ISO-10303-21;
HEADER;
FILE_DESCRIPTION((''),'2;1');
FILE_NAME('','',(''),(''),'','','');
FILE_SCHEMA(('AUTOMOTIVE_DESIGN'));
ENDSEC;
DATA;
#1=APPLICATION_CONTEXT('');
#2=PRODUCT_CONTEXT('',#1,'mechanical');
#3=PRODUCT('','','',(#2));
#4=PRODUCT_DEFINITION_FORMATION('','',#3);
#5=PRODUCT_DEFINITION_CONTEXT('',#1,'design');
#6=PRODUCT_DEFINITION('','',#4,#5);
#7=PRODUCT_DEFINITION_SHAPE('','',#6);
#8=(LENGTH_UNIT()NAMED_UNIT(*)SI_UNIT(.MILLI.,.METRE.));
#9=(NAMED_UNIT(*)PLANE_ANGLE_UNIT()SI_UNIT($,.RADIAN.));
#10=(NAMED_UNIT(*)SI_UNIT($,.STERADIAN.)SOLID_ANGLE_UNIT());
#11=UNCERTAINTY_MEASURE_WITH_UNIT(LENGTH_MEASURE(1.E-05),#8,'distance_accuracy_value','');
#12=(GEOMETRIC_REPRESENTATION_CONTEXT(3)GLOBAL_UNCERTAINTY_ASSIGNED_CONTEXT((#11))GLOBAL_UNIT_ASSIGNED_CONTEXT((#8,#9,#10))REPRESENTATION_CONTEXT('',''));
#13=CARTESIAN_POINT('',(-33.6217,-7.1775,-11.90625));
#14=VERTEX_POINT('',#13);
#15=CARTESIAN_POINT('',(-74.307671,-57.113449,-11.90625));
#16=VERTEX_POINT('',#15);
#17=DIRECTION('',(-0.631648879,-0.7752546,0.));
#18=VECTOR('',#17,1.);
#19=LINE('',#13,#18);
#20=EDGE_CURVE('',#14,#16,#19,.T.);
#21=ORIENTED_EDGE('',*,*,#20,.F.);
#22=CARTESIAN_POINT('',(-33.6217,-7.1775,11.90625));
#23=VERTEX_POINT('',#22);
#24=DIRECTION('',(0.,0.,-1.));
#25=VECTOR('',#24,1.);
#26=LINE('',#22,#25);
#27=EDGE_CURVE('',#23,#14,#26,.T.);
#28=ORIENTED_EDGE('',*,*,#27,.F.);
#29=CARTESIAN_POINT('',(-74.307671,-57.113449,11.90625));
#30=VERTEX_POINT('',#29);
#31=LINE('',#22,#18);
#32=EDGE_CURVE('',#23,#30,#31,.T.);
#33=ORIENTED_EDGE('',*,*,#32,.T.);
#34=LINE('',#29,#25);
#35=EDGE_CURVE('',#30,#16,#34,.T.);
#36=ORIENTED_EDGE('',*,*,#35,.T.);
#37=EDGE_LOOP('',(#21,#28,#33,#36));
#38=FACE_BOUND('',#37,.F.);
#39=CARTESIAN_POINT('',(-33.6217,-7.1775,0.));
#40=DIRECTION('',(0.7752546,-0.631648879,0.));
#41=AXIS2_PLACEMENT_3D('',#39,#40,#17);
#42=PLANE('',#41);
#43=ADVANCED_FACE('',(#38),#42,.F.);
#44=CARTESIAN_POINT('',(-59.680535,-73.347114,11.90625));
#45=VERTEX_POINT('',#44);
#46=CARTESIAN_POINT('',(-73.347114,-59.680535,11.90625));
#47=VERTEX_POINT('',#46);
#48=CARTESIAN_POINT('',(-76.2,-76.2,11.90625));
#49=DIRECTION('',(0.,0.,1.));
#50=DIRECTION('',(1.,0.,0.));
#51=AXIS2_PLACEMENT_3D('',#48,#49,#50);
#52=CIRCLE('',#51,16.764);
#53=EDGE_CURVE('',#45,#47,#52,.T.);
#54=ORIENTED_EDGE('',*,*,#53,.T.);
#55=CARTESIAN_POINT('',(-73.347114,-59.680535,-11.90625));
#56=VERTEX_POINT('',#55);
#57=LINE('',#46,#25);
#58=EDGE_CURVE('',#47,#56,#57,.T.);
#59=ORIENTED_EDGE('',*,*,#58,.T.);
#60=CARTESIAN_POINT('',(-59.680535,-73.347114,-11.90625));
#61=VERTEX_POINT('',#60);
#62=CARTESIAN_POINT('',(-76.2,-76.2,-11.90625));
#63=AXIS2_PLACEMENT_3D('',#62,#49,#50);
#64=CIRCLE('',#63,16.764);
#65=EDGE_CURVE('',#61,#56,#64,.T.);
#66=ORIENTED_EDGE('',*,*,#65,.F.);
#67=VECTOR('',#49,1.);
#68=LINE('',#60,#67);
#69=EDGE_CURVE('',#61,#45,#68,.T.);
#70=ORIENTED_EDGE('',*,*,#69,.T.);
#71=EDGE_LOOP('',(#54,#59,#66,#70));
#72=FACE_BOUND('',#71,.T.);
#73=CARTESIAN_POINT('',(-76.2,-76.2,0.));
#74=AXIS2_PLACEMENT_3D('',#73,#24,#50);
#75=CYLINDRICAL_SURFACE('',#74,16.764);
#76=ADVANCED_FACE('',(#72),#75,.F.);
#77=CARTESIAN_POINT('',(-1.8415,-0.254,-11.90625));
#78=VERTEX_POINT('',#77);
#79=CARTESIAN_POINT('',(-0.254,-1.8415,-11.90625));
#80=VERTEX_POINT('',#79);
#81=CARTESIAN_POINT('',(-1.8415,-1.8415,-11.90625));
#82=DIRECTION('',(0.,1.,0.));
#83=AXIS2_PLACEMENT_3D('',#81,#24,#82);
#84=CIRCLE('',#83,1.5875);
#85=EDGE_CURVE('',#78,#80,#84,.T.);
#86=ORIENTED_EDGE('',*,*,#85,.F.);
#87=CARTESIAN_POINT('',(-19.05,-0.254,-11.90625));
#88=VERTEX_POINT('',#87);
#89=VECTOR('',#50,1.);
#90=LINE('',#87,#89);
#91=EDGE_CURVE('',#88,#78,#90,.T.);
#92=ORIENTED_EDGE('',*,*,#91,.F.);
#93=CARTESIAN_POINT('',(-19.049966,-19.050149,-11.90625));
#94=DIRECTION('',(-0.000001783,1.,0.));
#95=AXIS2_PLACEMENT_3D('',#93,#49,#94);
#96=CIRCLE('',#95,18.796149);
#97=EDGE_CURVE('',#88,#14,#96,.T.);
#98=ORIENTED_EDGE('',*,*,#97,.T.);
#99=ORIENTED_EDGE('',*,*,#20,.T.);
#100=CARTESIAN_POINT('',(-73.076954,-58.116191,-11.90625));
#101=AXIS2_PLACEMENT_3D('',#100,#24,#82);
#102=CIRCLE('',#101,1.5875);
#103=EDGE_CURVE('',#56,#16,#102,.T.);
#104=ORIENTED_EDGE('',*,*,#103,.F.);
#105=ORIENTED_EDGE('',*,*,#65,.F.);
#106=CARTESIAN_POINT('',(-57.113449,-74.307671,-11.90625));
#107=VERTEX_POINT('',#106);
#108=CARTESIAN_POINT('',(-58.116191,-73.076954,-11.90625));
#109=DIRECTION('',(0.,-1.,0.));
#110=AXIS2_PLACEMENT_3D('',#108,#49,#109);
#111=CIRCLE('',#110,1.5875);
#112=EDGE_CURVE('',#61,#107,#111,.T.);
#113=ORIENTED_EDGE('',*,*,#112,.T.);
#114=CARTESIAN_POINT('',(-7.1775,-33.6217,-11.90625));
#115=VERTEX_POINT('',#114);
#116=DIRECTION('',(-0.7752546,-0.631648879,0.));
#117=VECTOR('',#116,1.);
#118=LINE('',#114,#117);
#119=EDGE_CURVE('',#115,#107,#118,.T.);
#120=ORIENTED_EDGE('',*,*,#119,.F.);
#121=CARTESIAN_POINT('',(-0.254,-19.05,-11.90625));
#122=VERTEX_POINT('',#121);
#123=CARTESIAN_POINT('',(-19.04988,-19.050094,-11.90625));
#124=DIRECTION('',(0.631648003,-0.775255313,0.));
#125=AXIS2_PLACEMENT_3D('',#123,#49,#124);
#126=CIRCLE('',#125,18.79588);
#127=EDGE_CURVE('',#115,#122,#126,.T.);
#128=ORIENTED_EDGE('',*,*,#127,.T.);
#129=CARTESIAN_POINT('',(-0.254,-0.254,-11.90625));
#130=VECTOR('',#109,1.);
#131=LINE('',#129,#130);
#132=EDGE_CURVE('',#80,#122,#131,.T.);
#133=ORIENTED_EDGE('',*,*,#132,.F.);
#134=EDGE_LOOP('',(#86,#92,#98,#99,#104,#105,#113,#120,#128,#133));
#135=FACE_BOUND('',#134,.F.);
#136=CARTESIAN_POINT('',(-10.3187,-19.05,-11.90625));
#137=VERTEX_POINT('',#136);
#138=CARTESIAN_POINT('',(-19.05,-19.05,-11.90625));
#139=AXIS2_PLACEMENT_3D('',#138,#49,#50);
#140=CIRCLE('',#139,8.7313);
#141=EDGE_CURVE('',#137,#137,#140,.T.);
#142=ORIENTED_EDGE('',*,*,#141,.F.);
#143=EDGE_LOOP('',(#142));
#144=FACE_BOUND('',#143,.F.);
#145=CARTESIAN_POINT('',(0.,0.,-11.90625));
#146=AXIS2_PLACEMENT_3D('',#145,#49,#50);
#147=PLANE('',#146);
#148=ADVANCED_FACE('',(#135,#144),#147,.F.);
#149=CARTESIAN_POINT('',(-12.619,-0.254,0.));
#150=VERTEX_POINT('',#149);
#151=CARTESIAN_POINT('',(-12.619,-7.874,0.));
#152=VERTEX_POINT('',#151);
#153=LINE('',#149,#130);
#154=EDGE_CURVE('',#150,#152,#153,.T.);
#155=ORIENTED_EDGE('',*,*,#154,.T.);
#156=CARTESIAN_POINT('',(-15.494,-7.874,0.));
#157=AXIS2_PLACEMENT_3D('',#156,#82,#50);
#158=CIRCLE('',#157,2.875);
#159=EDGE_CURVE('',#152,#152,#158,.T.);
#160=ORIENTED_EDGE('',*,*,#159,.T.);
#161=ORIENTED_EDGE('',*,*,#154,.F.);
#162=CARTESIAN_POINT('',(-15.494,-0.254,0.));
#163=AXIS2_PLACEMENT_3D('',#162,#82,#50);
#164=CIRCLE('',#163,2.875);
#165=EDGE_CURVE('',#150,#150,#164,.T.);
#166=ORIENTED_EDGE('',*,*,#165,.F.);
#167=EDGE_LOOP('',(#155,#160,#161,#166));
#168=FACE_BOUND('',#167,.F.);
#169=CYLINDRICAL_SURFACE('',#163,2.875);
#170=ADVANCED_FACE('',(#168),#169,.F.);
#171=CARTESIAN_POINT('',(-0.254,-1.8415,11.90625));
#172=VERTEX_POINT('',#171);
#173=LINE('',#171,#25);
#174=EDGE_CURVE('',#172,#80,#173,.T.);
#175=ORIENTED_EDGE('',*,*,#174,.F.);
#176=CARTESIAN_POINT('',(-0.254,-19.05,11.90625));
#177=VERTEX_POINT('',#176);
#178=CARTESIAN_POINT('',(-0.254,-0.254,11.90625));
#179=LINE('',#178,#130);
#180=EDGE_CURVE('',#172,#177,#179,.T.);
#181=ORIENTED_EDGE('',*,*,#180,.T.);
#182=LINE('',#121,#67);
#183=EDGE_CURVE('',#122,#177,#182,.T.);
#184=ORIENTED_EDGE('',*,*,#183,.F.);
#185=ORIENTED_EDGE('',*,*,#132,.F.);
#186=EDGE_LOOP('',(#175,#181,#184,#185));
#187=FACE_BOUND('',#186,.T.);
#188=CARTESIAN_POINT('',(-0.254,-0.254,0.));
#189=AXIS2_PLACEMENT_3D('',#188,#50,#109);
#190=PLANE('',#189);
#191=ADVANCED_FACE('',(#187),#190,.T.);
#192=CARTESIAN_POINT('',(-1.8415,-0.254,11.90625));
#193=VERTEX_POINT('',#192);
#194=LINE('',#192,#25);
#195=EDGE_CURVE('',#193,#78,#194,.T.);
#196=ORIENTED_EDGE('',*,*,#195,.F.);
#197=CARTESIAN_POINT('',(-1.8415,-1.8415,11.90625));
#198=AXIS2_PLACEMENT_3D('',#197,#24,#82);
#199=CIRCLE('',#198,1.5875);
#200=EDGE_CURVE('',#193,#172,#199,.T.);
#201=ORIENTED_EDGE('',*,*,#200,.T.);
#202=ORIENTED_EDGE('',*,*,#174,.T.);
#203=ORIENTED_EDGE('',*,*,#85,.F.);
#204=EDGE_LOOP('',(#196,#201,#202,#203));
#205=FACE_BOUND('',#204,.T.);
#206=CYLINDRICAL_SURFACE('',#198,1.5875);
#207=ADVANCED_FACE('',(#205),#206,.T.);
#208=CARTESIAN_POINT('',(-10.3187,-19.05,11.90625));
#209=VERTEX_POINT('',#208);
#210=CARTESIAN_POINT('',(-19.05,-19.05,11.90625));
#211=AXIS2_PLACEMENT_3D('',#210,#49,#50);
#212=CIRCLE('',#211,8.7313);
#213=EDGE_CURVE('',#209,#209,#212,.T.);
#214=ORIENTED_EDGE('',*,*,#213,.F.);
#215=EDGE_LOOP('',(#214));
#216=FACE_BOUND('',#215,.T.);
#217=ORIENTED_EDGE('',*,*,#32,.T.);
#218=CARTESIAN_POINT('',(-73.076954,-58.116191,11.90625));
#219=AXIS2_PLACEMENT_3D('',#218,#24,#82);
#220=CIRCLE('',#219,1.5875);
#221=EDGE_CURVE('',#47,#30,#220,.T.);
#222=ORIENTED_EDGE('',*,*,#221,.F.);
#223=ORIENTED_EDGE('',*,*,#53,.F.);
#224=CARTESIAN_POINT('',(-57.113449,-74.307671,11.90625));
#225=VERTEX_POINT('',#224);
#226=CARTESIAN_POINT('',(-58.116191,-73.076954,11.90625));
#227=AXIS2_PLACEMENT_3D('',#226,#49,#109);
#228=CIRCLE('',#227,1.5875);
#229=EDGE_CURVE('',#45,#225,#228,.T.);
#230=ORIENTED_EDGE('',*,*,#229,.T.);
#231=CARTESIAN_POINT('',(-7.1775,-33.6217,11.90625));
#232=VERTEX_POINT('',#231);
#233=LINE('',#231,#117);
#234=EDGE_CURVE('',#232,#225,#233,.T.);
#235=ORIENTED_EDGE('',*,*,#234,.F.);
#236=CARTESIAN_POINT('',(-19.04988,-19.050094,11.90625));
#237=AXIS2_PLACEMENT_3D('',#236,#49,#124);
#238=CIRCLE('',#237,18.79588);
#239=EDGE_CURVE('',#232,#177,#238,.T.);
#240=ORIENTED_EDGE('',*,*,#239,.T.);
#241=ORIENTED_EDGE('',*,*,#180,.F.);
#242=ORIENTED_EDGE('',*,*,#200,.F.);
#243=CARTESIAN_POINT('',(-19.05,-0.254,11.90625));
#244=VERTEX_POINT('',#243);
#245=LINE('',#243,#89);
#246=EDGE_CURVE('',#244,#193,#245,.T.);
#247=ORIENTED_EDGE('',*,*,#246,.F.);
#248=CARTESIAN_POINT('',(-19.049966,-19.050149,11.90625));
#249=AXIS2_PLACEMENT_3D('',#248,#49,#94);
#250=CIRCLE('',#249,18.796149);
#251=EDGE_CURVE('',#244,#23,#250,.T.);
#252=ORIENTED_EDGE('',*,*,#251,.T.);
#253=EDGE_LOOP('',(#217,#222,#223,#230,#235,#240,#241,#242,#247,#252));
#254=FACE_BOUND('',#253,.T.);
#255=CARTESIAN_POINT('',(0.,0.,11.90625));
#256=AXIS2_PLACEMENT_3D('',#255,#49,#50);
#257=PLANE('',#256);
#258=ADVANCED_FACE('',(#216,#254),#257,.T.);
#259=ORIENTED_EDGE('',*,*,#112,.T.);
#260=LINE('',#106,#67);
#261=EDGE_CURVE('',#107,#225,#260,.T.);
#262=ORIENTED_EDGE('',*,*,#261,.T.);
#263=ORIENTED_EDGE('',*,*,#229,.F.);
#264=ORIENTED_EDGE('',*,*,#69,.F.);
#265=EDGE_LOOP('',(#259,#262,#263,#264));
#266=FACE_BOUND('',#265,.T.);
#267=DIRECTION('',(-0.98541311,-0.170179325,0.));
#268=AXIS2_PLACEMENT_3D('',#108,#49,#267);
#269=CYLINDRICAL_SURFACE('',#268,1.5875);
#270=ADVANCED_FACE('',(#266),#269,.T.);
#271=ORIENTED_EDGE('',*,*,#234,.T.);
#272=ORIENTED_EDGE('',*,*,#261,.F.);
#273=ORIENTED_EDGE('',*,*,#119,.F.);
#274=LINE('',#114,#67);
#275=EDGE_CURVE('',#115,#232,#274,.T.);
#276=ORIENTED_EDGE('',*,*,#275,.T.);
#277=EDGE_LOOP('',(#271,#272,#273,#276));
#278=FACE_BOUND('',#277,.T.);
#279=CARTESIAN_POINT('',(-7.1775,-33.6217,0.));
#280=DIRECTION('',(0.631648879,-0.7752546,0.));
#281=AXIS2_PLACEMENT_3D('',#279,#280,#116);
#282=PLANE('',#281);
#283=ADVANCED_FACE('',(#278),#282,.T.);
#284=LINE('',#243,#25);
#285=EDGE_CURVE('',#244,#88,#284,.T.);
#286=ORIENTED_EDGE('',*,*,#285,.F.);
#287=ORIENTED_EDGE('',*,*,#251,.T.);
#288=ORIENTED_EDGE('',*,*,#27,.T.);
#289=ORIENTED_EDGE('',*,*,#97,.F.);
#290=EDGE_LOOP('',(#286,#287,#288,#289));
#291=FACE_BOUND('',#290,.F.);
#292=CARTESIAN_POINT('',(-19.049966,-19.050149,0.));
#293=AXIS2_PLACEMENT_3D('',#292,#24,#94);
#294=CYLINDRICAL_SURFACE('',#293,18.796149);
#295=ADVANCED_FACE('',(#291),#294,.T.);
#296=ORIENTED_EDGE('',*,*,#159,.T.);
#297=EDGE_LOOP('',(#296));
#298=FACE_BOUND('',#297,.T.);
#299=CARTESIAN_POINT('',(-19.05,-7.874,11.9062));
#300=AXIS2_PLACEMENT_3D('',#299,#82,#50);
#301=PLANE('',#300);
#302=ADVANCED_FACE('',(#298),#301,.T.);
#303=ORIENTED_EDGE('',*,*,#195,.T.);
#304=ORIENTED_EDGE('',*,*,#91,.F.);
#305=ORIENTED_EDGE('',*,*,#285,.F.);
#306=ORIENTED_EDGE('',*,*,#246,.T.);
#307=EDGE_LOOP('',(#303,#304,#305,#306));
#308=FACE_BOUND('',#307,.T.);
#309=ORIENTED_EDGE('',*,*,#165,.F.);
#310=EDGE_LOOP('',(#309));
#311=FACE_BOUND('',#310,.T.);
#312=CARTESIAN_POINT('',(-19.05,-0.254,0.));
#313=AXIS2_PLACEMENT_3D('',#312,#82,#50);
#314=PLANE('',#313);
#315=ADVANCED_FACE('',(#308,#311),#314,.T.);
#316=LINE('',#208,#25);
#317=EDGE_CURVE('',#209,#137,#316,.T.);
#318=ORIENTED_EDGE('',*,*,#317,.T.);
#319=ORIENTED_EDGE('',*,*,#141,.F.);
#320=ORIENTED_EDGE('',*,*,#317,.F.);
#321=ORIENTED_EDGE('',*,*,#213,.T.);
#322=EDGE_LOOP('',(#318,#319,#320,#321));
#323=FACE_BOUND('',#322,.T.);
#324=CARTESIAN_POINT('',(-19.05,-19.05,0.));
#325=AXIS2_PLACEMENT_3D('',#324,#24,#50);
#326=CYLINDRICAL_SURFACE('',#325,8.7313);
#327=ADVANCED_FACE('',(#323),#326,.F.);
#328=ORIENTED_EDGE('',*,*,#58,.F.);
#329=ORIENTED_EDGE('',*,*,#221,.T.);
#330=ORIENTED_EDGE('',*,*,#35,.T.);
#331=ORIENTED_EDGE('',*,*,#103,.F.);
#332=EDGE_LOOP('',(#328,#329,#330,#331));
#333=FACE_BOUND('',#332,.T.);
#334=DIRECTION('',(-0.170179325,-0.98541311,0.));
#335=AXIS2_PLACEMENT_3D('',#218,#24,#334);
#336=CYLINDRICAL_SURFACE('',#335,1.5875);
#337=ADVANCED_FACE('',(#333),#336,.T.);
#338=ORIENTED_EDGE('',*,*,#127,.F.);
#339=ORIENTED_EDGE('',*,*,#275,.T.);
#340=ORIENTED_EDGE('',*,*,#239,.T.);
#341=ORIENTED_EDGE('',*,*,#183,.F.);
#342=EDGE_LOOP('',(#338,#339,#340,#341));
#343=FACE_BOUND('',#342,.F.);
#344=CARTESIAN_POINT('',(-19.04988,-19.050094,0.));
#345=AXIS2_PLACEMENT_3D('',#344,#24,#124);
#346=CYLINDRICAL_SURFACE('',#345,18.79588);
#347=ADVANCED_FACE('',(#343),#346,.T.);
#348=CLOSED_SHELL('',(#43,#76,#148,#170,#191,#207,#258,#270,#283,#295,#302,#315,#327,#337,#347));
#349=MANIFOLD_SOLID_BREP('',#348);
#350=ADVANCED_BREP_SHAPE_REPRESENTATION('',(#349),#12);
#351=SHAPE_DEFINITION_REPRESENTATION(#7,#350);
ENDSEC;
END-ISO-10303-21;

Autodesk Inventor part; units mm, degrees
ref_plane "YZ Plane" through (0, 0, 0) normal (1, 0, 0) x (0, 1, 0)
ref_plane "XZ Plane" through (0, 0, 0) normal (0, 1, 0) x (-1, 0, 0)
sketch "Sketch1" plane through (0, 0, 0) normal (0, 0, 1) x (1, 0, 0)
  line L0 (-76.2, 76.2) -> (76.2, 76.2) construction
  line L1 (76.2, 76.2) -> (76.2, -76.2) construction
  line L2 (76.2, -76.2) -> (-76.2, -76.2) construction
  line L3 (-76.2, -76.2) -> (-76.2, 76.2) construction
  line L4 (-76.2, 76.2) -> (76.2, -76.2) construction
  line L5 (76.2, 76.2) -> (-76.2, -76.2) construction
  circle A0 centre (-76.2, -76.2) radius 16.764 construction
  circle A1 centre (76.2, -76.2) radius 16.764 construction
  circle A2 centre (-19.05, -19.05) radius 8.7313
  circle A3 centre (19.05, -19.05) radius 8.7313 construction
  line L6 (-19.05, -19.05) -> (19.05, -19.05) construction
  circle A4 centre (-19.05, -19.05) radius 19.05 construction
  circle A5 centre (19.05, -19.05) radius 19.05 construction
  circle A6 centre (-19.05, -19.05) radius 18.796 construction
  circle A7 centre (19.05, -19.05) radius 18.796 construction
  arc A8 (-59.436, -76.2) -> (-76.2, -59.436) centre (-76.2, -76.2) ccw
  line L7 (-19.05, 0) -> (-3.4943, 0)
  line L8 (-33.6217, -7.1775) -> (-76.2, -59.436)
  line L9 (-7.1775, -33.6217) -> (-59.436, -76.2)
  line L10 (-19.05, -0.254) -> (-0.254, -0.254)
  line L11 (-0.254, -0.254) -> (-0.254, -19.05)
  arc A9 (-19.05, -0.254) -> (-33.6217, -7.1775) centre (-19.05, -19.05) ccw
  arc A10 (-7.1775, -33.6217) -> (-0.254, -19.05) centre (-19.05, -19.05) ccw
  point P0 (0, 0)
  point P1 (-33.1106, -7.4056)
  dimension "d0" = 152.4
  dimension "d1" = 152.4
  dimension "d2" = 33.528
  dimension "d3" = 17.4625
  dimension "d4" = 38.1
  dimension "d7" = 0.254
  dimension "d8" = 0.254
extrude "Extrusion1" add sketch "Sketch1" along normal mid plane 23.8125
fillet "Fillet1" radius 1.5875 3 edges at (-0.254, -0.254, 0) (-76.2, -59.436, 0) (-59.436, -76.2, 0)
sketch "Sketch2" plane through (0, 0, 11.9062) normal (0, 0, 1) x (1, 0, 0)
  circle A0 centre (-19.05, -19.05) radius 8.7312 projected
  circle A1 centre (-19.05, -19.05) radius 14.2875
  point P0 (0, 0)
  dimension "d12" = 28.575
extrude "Extrusion2" [suppressed]
mirror "Mirror1" [suppressed]
sketch "Sketch3" plane through (0, 0, 11.9062) normal (0, 0, 1) x (1, 0, 0)
  arc A0 (-59.6805, -73.3471) -> (-57.1134, -74.3077) centre (-58.1162, -73.077) ccw construction
  line L0 (-57.1134, -74.3077) -> (-7.1775, -33.6217) construction
  arc A1 (-7.1775, -33.6217) -> (-0.254, -19.05) centre (-19.05, -19.05) ccw construction
  line L1 (-0.254, -19.05) -> (-0.254, -1.8415) construction
  arc A2 (-0.254, -1.8415) -> (-1.8415, -0.254) centre (-1.8415, -1.8415) ccw construction
  line L2 (-1.8415, -0.254) -> (-19.05, -0.254) construction
  arc A3 (-19.05, -0.254) -> (-33.6217, -7.1775) centre (-19.05, -19.05) ccw construction
  line L3 (-33.6217, -7.1775) -> (-74.3077, -57.1134) construction
  arc A4 (-74.3077, -57.1134) -> (-73.3471, -59.6805) centre (-73.077, -58.1162) ccw construction
  arc A5 (-59.6805, -73.3471) -> (-73.3471, -59.6805) centre (-76.2, -76.2) ccw construction
  line L4 (19.05, 0) -> (-21.3612, -40.4112) construction
  line L5 (19.05, 0) -> (-21.3612, 40.4112) construction
  line L6 (19.05, 0) -> (0, 0) construction
  point P0 (-6.35, 0)
  dimension "d15" = 6.096
  dimension "d17" = 25.4
  dimension "d18" = 57.15
  dimension "d19" = 57.15
  dimension "d20" = 45
ref_plane "Work Plane1" through (-0.719, -0.719, -11.9062) normal (-0.7071, -0.7071, 0) x (0.7071, -0.7071, 0)
sketch "Sketch5" plane through (-19.05, -0.254, 11.9062) normal (0, 1, 0) x (1, 0, 0)
  line L0 (18.796, 0) -> (18.796, 23.8125) construction
  line L1 (-14.5717, 0) -> (-14.5717, 23.8125) construction
  circle A0 centre (3.556, 11.9062) radius 2.875
  point P0 (19.05, 11.9062)
  point P1 (-14.5717, 11.9062)
  dimension "d28" = 15.24
  dimension "d29" = 5.75
extrude "Extrusion3" cut sketch "Sketch5" against normal blind 7.62
equation "\"d7\" = d8"
equation "\"d19\" = d18"
properties part number "CL7-004" material "ABS Plastic"
